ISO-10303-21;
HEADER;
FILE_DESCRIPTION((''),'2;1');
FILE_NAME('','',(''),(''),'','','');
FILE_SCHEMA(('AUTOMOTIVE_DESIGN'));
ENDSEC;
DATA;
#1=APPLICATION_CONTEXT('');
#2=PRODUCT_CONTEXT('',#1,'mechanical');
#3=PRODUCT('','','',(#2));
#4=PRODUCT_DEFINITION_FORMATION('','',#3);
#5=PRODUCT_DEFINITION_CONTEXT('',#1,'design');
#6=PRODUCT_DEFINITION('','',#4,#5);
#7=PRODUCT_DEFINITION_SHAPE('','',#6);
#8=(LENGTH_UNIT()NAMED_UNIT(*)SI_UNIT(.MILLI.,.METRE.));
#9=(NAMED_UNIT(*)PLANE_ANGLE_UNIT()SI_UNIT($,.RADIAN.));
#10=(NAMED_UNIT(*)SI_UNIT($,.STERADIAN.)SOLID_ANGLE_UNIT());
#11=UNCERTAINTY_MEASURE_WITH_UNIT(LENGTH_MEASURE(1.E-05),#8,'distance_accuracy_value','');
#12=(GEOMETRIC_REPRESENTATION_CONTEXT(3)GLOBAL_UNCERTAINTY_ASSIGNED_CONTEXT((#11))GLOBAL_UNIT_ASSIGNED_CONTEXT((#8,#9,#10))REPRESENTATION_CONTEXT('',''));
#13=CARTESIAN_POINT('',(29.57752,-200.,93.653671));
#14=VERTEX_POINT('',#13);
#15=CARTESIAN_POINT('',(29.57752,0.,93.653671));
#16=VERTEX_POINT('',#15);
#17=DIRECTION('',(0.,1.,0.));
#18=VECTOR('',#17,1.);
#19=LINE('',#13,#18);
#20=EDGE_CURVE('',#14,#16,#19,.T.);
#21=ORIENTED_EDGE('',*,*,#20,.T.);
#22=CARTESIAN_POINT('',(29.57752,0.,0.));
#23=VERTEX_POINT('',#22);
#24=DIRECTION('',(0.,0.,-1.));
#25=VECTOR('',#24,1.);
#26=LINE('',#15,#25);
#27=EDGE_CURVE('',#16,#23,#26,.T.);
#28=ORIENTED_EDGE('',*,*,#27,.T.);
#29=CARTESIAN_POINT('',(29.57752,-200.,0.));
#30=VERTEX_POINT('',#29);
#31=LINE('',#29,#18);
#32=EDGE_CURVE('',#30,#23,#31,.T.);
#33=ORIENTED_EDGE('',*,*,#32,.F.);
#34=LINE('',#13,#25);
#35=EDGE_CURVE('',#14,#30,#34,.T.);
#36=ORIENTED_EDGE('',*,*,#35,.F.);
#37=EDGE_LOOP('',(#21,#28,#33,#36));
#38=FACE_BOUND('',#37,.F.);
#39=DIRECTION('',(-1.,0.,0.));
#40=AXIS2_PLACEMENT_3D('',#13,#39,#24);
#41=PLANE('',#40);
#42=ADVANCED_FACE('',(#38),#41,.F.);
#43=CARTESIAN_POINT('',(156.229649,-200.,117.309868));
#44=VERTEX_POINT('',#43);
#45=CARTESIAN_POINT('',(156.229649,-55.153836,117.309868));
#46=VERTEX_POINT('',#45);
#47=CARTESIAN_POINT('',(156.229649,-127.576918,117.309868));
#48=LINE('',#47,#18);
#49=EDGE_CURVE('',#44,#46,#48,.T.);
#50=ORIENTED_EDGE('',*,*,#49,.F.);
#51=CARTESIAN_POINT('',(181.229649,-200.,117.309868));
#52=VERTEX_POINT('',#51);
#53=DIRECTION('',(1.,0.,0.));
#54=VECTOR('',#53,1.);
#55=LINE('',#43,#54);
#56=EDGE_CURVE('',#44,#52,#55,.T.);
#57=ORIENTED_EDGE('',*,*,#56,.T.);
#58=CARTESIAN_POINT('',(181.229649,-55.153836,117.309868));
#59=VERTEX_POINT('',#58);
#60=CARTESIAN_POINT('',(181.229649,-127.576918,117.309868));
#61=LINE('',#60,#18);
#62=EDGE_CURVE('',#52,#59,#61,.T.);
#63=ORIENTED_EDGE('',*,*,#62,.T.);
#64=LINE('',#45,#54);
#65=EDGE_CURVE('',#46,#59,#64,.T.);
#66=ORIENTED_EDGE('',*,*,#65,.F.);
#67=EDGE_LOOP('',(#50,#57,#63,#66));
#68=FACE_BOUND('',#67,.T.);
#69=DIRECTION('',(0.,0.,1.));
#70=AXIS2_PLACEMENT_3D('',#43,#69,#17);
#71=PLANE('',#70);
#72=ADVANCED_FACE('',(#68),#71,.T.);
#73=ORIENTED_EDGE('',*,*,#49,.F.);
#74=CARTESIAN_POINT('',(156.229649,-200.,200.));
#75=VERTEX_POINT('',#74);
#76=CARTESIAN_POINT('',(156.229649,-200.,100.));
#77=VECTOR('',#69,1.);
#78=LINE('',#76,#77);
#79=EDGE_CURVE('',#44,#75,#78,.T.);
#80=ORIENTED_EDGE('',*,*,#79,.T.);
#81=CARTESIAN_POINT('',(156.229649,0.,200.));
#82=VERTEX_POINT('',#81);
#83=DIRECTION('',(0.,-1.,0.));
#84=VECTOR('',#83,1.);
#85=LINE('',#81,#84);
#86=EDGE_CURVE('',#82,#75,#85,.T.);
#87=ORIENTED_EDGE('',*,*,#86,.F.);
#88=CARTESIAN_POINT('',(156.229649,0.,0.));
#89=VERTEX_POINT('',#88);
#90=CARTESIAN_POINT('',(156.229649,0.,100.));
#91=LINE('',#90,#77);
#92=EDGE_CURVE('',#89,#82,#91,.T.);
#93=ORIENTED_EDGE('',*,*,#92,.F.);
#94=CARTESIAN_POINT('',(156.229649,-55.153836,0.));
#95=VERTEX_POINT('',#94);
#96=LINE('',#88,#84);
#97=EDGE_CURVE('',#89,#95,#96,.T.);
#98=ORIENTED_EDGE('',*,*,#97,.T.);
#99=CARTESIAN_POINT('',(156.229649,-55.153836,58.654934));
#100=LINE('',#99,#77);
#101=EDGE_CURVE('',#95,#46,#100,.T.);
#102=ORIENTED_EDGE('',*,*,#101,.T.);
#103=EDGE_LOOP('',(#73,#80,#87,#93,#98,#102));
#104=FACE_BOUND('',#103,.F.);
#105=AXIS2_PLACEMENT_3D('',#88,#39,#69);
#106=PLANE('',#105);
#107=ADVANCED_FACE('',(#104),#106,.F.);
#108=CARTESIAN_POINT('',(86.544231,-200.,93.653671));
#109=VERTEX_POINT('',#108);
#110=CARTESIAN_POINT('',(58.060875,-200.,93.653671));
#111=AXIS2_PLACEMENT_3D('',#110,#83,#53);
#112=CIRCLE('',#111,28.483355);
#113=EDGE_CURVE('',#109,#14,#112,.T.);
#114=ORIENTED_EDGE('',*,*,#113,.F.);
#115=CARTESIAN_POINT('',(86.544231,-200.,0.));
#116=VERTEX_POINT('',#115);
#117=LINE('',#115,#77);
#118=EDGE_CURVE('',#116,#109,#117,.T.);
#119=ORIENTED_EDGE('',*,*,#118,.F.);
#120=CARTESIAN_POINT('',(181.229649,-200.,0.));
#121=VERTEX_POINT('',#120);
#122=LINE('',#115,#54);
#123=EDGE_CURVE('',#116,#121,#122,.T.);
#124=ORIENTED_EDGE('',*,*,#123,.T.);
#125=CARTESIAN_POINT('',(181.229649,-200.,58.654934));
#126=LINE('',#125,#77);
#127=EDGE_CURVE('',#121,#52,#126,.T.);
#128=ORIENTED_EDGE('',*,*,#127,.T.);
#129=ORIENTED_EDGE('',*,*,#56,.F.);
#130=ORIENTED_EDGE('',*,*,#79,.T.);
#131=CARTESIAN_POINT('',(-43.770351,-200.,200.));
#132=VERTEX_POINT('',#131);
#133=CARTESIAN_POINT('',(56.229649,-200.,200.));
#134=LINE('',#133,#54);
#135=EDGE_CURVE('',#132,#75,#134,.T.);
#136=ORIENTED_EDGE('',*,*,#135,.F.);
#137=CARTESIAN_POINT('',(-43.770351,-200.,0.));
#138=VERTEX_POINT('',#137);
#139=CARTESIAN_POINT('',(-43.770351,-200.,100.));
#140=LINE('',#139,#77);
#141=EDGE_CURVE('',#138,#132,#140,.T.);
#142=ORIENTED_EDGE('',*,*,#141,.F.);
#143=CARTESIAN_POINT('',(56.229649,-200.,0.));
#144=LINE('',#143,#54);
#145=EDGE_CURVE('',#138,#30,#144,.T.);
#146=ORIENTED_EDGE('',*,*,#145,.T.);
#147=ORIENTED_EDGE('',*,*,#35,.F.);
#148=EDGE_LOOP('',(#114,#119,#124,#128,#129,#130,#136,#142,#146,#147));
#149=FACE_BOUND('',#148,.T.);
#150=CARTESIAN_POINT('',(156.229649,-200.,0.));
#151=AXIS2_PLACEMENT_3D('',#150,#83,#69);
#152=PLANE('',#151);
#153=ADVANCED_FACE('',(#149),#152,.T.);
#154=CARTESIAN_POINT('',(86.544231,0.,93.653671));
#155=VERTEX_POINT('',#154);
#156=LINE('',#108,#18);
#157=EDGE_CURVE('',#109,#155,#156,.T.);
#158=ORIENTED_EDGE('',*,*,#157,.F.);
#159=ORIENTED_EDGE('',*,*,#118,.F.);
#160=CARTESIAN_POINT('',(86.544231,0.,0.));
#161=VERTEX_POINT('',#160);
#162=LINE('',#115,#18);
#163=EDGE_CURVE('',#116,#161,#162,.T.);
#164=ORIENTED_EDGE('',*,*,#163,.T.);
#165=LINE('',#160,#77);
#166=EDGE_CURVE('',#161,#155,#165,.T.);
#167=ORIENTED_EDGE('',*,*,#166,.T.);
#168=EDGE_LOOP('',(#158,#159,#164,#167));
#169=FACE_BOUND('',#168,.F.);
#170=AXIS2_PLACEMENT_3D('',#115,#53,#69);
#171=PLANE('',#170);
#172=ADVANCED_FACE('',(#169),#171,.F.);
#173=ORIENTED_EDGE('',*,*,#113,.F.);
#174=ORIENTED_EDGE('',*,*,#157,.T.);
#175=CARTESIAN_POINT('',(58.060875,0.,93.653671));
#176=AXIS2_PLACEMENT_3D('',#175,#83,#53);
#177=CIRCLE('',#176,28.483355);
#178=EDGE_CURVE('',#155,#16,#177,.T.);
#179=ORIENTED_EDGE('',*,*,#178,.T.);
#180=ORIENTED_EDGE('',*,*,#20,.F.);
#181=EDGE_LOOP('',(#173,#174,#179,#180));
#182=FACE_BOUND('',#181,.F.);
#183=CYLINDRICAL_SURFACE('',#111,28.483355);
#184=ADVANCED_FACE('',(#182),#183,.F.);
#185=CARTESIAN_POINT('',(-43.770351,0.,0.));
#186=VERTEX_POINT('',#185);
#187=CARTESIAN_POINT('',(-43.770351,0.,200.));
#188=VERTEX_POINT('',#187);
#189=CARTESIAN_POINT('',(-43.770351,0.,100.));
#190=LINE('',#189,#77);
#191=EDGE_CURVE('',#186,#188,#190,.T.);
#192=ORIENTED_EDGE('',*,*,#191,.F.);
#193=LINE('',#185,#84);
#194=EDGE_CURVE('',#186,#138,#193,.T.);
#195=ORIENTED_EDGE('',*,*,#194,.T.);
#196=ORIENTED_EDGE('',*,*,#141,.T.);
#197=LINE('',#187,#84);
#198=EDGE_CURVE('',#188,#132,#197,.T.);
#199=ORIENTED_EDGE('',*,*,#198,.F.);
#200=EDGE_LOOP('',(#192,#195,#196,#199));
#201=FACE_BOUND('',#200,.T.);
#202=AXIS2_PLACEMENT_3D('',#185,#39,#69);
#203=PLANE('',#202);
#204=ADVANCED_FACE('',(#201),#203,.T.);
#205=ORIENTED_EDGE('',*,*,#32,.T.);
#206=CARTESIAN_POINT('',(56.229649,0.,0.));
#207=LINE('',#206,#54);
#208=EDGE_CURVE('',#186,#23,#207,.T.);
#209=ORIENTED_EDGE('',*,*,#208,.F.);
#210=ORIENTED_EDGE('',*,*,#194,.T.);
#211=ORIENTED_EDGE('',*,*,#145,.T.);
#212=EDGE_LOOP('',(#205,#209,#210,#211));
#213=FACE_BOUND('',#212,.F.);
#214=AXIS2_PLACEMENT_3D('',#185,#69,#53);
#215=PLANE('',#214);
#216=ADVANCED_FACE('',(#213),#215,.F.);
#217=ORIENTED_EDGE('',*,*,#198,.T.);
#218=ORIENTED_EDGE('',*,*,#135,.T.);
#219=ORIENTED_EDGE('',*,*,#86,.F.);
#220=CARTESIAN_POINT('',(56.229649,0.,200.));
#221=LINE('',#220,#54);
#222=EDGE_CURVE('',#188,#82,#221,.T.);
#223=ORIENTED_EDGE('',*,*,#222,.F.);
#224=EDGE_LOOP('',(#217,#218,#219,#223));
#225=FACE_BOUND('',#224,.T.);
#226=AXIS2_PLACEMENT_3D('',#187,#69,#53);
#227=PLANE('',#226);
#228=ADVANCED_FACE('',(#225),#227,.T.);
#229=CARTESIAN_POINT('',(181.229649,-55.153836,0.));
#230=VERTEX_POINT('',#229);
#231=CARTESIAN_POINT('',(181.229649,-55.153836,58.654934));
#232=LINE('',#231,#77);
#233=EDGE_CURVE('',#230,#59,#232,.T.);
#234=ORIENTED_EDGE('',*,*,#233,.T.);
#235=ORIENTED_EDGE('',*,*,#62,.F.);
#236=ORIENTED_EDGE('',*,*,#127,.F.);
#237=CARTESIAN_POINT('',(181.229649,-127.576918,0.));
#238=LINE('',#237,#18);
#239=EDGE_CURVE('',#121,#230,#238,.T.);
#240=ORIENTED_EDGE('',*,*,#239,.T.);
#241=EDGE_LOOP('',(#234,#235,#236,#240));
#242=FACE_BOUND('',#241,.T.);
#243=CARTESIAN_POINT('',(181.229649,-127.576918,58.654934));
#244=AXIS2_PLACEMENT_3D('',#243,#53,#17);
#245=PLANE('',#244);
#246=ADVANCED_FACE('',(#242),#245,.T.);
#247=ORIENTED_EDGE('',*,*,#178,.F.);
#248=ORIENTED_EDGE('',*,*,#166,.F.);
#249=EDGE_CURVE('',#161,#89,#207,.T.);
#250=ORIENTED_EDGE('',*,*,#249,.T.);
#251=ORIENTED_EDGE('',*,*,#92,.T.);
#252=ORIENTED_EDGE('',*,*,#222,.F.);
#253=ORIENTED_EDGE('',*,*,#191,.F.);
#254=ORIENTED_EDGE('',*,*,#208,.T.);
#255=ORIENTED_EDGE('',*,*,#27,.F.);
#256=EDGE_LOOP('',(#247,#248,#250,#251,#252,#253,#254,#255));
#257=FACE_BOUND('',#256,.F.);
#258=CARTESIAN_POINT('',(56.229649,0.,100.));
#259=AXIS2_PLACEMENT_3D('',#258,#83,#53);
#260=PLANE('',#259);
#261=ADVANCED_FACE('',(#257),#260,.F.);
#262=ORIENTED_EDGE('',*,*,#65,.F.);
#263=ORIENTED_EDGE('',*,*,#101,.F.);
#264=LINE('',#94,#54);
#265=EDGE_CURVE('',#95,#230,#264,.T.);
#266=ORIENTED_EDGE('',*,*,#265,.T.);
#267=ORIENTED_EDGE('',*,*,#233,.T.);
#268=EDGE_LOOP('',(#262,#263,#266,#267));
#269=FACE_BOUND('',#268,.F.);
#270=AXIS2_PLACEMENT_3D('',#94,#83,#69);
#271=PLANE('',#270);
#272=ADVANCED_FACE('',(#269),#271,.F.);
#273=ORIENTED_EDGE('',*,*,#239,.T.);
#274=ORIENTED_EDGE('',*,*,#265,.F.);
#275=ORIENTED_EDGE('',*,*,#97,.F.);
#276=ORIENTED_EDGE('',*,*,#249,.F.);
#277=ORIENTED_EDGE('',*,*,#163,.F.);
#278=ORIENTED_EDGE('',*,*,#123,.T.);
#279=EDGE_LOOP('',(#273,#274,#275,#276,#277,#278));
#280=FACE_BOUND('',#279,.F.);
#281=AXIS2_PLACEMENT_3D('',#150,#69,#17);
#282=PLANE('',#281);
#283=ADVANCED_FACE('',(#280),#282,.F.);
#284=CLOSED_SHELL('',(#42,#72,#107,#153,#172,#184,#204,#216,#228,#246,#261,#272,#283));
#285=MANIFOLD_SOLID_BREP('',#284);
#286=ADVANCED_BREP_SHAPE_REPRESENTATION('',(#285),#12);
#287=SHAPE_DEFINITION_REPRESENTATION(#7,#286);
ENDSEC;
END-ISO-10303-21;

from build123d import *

# Parameters (mm, degrees)
F0_W     = 200
F0_H     = 200
F1_DEPTH = 200
F3_DEPTH = 200
F4_W     = 144.8461644351
F4_H     = 117.3098683357
F5_DEPTH = 25


with BuildPart() as f1:
    # F0 (on Front) → F1 (new body)
    with BuildSketch(Plane.XZ):
        with Locations((56.2296494842, 100)):
            Rectangle(F0_W, F0_H)
    extrude(amount=F1_DEPTH)

    # F2 (on face) → F3 (cut, through all)
    with BuildSketch(Plane.XZ.offset(200)):
        with BuildLine():
            Line((29.5775197446, 93.6536714435), (29.5775197446, 0))
            Line((29.5775197446, 0), (86.5442305803, 0))
            Line((86.5442305803, 0), (86.5442305803, 93.6536714435))
            ThreePointArc((86.5442305803, 93.6536714435), (58.0608751625, 122.1370268613), (29.5775197446, 93.6536714435))
        make_face()
    extrude(amount=-F3_DEPTH, mode=Mode.SUBTRACT)

    # F4 (on face) → F5 (join)
    with BuildSketch(Plane.YZ.offset(156.2296494842)):
        with Locations((-127.5769177824, 58.6549341679)):
            Rectangle(F4_W, F4_H)
    extrude(amount=F5_DEPTH)


solid = f1.part
